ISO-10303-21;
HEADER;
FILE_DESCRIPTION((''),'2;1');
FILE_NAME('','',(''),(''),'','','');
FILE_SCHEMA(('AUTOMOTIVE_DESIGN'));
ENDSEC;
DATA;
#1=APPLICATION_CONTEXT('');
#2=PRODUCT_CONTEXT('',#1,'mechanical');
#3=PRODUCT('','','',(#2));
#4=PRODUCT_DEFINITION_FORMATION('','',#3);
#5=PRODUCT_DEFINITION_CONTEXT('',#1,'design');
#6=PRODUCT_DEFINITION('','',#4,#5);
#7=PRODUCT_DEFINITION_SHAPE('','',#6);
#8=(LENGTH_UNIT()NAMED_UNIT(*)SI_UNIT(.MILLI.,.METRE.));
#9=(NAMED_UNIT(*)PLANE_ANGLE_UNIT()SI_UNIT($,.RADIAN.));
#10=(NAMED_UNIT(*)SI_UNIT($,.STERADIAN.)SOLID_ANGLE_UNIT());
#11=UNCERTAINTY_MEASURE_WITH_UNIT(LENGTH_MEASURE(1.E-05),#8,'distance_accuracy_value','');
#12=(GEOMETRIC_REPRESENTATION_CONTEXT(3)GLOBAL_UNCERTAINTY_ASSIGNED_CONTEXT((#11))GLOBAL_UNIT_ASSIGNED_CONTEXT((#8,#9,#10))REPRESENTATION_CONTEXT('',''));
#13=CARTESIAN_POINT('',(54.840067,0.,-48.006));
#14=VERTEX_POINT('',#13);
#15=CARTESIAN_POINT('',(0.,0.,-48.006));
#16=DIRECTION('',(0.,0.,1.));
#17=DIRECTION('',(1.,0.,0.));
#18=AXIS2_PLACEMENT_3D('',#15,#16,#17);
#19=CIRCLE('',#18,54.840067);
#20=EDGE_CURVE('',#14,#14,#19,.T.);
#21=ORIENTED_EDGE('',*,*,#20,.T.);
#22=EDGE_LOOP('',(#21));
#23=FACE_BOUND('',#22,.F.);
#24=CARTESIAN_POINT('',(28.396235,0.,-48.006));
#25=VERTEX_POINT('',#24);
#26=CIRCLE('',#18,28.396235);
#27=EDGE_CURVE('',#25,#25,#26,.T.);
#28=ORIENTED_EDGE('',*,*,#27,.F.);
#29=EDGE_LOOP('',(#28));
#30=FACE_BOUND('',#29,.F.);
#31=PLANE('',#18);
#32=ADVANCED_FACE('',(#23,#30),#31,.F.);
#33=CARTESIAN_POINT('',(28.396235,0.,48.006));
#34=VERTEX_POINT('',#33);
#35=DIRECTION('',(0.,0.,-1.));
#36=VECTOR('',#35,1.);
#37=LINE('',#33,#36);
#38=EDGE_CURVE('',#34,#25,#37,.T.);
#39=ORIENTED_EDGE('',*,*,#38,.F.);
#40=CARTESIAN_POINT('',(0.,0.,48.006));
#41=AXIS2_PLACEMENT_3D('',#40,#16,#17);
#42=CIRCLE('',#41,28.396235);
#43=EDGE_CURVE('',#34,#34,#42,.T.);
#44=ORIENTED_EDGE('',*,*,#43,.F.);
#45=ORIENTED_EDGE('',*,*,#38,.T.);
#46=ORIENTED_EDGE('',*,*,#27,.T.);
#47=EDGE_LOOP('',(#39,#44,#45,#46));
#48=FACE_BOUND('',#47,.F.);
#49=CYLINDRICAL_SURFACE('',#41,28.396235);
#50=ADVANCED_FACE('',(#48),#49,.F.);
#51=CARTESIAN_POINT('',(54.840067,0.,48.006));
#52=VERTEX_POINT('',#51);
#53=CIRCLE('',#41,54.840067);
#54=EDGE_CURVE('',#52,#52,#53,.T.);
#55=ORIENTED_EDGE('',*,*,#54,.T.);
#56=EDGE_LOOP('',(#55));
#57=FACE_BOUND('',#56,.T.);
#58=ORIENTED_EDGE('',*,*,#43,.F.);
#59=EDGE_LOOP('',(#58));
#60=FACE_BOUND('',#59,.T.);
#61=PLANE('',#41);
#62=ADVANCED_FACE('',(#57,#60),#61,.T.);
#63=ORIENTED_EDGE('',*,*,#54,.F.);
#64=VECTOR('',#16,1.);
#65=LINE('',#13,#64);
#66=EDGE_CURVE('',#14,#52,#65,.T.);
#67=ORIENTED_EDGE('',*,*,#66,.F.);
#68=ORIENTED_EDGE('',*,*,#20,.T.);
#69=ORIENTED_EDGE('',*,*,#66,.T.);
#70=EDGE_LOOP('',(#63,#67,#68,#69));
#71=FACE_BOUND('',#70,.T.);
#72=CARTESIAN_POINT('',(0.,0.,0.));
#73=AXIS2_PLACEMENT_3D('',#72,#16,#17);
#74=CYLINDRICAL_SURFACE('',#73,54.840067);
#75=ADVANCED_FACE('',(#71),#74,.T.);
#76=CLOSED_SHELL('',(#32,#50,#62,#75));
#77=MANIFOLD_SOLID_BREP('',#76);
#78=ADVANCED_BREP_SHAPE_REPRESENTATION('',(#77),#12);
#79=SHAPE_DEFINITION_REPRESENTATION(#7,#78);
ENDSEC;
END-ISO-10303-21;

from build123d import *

# Parameters (mm, degrees)
F0_R     = 54.840067
F1_DEPTH = 48.006
F2_R     = 26.964894
F3_DEPTH = 75.946
F4_R     = 28.396235
F5_DEPTH = 97.028


with BuildPart() as f1:
    # F0 (on Top) → F1 (new body, symmetric)
    with BuildSketch(Plane.XY):
        Circle(F0_R)
    extrude(amount=F1_DEPTH, both=True)

    # F2 (on face) → F3 (join)
    with BuildSketch(Plane.XY.offset(48.006)):
        Circle(F2_R)
    extrude(amount=-F3_DEPTH)

    # F4 (on face) → F5 (cut)
    with BuildSketch(Plane.XY.offset(48.006)):
        Circle(F4_R)
    extrude(amount=-F5_DEPTH, mode=Mode.SUBTRACT)


solid = f1.part
